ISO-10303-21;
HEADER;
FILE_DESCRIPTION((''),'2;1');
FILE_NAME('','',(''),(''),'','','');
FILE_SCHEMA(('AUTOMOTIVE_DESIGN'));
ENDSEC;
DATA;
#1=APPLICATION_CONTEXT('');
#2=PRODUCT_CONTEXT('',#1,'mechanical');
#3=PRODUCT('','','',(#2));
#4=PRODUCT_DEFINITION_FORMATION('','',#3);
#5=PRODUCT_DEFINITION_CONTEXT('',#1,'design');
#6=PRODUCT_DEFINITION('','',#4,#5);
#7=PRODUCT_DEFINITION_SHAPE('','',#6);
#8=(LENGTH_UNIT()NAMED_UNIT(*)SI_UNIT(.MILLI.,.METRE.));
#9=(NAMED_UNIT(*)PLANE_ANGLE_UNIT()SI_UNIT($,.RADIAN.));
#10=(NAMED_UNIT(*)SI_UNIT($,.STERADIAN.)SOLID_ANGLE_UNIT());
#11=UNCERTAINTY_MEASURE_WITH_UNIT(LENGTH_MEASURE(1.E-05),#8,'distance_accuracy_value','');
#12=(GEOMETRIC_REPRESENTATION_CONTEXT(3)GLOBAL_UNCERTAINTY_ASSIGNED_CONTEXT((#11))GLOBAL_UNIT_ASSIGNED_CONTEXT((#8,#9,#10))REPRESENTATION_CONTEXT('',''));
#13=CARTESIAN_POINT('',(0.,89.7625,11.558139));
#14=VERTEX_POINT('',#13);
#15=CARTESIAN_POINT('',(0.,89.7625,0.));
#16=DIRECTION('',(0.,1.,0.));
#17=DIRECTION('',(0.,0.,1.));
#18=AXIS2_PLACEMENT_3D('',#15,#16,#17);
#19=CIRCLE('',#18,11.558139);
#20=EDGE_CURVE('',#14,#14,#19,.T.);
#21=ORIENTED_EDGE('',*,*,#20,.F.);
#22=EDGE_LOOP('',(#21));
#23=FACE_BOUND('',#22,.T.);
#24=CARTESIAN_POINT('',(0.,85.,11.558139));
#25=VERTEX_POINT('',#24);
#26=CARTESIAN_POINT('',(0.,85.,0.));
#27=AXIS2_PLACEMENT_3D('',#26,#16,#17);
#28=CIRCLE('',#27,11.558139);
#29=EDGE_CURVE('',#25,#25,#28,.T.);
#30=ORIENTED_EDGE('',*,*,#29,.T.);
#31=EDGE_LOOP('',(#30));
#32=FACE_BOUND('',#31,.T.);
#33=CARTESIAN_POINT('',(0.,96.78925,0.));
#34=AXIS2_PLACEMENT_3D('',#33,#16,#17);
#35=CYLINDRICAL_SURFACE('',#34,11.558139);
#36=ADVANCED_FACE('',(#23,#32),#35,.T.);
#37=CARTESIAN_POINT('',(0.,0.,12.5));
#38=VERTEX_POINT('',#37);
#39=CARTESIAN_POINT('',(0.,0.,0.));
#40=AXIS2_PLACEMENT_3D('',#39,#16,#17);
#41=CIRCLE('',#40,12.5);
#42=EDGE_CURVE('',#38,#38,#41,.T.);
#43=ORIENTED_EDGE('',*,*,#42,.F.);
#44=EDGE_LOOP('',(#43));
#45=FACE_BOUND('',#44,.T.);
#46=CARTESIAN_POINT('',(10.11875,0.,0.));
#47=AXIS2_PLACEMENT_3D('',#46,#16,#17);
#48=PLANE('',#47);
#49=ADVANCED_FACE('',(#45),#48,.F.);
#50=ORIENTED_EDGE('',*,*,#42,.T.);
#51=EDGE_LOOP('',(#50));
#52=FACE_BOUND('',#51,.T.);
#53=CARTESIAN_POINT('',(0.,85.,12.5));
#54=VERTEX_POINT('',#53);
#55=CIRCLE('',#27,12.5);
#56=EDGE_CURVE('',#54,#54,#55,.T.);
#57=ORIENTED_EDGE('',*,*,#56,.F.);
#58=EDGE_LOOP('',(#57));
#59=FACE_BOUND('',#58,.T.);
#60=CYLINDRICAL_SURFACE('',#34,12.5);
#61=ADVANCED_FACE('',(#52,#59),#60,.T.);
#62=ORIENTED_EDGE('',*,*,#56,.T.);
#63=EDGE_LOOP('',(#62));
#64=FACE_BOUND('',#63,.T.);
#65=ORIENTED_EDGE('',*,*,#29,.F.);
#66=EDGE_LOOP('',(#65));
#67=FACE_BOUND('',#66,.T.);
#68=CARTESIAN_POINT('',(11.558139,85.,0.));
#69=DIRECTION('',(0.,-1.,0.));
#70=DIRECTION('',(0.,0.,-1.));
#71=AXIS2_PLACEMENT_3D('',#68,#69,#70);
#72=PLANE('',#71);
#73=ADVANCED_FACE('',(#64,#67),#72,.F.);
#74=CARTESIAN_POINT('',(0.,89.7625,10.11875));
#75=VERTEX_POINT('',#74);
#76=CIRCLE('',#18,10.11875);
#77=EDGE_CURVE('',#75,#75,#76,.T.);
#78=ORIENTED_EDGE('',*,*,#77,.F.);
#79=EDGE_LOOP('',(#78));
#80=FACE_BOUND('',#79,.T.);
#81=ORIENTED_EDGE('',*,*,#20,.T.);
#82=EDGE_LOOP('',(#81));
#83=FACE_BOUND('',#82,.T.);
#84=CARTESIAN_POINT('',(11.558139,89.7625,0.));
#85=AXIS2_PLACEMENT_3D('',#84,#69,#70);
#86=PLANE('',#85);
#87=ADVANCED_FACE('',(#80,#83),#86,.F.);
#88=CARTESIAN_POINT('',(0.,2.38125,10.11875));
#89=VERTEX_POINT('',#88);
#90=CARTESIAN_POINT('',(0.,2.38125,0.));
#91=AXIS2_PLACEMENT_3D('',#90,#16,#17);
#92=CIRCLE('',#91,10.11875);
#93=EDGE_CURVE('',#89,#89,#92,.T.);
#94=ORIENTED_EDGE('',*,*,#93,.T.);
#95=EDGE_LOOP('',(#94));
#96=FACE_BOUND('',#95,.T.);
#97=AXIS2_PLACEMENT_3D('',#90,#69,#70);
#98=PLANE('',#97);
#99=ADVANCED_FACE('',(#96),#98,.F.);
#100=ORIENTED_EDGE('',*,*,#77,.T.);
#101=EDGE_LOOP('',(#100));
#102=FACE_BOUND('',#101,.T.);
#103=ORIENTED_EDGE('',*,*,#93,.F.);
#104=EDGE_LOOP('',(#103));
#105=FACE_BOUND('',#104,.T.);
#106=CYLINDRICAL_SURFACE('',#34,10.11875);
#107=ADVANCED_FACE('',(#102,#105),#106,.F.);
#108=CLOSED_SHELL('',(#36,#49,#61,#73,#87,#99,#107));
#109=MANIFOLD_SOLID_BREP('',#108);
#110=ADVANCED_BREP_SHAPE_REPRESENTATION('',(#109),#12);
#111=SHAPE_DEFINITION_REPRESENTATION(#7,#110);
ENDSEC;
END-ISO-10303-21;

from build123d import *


with BuildPart() as part:
    # Sketch2 → Revolve2 (revolve)
    with BuildSketch(Plane.XY, mode=Mode.PRIVATE) as revolve2_sk:
        Polygon((11.55813899, 85), (11.55813899, 89.7625), (10.11875, 89.7625), (10.11875, 2.38125), (0, 2.38125), (0, 0), (10.11875, 0), (12.5, 0), (12.5, 85), align=None)
    revolve(revolve2_sk.sketch.rotate(Axis((0, 96.789249838, 0), (0, -1, 0)), 90), axis=Axis((0, 96.789249838, 0), (0, -1, 0)))


solid = part.part
